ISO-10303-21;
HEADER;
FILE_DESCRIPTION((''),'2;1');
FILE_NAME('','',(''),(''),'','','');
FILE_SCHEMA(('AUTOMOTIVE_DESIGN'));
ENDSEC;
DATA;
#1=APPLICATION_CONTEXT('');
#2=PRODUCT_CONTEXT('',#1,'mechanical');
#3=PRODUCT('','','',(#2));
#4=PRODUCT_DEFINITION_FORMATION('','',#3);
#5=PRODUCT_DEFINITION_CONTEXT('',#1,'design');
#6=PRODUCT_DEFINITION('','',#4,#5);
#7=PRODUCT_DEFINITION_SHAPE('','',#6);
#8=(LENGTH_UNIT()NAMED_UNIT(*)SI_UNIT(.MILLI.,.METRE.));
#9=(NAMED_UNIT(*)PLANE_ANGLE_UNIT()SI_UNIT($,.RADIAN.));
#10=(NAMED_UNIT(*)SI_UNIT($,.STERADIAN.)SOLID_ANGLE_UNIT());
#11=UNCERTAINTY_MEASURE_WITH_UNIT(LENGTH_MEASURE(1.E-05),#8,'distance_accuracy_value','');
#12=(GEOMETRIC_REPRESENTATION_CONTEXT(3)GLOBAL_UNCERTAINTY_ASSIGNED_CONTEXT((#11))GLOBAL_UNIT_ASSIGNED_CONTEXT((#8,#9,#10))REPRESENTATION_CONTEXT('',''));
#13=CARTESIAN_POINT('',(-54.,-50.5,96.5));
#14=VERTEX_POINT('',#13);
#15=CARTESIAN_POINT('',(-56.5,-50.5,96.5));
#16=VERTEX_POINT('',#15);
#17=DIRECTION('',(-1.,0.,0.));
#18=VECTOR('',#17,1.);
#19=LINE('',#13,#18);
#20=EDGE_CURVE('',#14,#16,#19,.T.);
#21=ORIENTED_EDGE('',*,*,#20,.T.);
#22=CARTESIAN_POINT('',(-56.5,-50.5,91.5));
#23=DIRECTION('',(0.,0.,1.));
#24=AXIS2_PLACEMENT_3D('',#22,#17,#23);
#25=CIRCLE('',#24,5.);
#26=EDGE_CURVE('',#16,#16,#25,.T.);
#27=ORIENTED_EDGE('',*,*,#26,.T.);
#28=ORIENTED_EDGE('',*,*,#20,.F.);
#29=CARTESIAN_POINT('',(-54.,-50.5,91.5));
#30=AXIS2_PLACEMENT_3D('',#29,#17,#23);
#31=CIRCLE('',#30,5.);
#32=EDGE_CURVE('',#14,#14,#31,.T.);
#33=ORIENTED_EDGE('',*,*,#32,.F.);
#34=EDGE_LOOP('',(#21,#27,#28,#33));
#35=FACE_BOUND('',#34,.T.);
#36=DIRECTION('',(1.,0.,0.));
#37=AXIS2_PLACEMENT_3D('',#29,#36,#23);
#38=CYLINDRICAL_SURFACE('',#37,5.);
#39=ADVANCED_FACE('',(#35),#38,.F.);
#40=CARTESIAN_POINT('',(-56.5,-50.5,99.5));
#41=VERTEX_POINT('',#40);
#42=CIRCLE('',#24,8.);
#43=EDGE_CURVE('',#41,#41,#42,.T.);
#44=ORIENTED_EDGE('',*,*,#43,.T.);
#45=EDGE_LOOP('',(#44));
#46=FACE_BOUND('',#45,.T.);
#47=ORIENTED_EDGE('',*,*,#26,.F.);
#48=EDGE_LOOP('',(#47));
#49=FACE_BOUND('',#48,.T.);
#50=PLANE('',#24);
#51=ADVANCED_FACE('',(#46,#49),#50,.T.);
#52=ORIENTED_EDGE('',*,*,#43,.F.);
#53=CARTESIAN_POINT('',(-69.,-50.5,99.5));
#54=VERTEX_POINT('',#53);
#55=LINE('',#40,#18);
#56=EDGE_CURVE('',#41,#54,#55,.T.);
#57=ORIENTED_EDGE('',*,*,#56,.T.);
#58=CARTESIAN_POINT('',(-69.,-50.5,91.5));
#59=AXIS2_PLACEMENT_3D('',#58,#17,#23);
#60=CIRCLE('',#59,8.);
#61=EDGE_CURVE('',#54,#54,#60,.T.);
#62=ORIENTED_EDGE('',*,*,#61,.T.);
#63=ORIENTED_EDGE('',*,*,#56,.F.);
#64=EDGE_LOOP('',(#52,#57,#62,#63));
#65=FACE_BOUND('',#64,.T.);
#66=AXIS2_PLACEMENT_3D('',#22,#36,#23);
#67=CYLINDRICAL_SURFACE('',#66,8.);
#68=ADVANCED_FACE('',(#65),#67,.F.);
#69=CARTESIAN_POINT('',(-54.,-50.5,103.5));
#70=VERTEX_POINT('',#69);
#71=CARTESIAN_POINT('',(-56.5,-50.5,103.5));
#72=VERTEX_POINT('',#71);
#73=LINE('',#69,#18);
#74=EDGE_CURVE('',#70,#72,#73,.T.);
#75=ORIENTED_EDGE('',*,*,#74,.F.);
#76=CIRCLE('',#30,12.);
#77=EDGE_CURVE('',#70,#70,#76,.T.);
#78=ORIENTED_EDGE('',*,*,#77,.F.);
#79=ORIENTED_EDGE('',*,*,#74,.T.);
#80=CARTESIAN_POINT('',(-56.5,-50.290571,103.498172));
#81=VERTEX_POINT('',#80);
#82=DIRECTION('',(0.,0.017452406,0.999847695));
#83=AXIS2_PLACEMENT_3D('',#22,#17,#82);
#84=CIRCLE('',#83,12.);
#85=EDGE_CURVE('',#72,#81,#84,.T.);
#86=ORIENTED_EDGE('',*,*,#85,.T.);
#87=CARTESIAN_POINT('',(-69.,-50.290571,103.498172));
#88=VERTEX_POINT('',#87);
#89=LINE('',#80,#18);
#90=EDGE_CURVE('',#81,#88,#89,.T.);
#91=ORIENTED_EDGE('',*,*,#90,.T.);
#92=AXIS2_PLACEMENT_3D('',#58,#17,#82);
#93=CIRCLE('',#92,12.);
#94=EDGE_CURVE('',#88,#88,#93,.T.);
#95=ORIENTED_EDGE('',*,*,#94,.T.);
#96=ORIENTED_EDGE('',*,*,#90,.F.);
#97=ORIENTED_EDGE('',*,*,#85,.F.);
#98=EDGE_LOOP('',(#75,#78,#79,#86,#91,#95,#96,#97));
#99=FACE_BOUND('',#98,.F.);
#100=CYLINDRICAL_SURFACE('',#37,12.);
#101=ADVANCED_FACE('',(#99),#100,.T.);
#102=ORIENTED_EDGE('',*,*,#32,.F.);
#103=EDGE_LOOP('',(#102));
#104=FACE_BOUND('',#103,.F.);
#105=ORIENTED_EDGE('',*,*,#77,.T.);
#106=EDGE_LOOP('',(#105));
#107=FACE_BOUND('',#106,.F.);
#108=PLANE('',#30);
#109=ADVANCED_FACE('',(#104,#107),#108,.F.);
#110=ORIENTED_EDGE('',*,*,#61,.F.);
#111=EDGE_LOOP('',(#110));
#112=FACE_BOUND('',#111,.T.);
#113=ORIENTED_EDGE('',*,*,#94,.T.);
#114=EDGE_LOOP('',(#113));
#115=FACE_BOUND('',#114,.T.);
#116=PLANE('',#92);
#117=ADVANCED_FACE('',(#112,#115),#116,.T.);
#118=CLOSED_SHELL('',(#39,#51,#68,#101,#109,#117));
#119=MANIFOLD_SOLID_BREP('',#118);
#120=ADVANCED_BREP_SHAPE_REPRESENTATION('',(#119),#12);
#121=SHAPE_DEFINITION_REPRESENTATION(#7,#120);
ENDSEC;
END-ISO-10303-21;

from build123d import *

# Parameters (mm, degrees)
CYLINDER024_R               = 5
CYLINDER024_DEPTH           = 2.5
CYLINDER019_R               = 12
CYLINDER019_DEPTH           = 2.5
CYLINDER027_R               = 8
CYLINDER027_DEPTH           = 12.5
CYLINDER026_R               = 12
CYLINDER026_DEPTH           = 12.5
CYLINDER026_PLACEMENT_ANGLE = 1
FUSION043_PLACEMENT_ANGLE   = 270


with BuildPart() as largeplughole:
    # Cylinder024 → Cylinder024 (new body)
    with BuildSketch(Plane.XY):
        Circle(CYLINDER024_R)
    extrude(amount=CYLINDER024_DEPTH)


with BuildPart() as largeplugbase001:
    # Cylinder019 → Cylinder019 (new body)
    with BuildSketch(Plane.XY):
        Circle(CYLINDER019_R)
    extrude(amount=CYLINDER019_DEPTH)

    # Cut008: cut LargePlugHole
    add(largeplughole.part, mode=Mode.SUBTRACT)


with BuildPart() as largeplugwallhole:
    # Cylinder027 → Cylinder027 (new body)
    with BuildSketch(Plane.XY.offset(2.5)):
        Circle(CYLINDER027_R)
    extrude(amount=CYLINDER027_DEPTH)


with BuildPart() as radi_out_adapter:
    # Cylinder026 → Cylinder026 (new body)
    with BuildSketch(Plane.XY):
        Circle(CYLINDER026_R)
    extrude(amount=CYLINDER026_DEPTH)


with BuildPart() as radi_out_adapter_1:
    # Cylinder026 placement: moved
    add(radi_out_adapter.part.moved(Location((0, 0, 2.5))).rotate(Axis((0, 0, 2.5), (0, 0, 1)), CYLINDER026_PLACEMENT_ANGLE))

    # Cut007: cut LargePlugWallHole
    add(largeplugwallhole.part, mode=Mode.SUBTRACT)

    # Fusion043: union LargePlugBase001
    add(largeplugbase001.part)


with BuildPart() as radi_out_adapter_2:
    # Fusion043 placement: moved
    add(radi_out_adapter_1.part.moved(Location((-54, -50.5, 91.5))).rotate(Axis((-54, -50.5, 91.5), (0, 1, 0)), FUSION043_PLACEMENT_ANGLE))


solid = radi_out_adapter_2.part
